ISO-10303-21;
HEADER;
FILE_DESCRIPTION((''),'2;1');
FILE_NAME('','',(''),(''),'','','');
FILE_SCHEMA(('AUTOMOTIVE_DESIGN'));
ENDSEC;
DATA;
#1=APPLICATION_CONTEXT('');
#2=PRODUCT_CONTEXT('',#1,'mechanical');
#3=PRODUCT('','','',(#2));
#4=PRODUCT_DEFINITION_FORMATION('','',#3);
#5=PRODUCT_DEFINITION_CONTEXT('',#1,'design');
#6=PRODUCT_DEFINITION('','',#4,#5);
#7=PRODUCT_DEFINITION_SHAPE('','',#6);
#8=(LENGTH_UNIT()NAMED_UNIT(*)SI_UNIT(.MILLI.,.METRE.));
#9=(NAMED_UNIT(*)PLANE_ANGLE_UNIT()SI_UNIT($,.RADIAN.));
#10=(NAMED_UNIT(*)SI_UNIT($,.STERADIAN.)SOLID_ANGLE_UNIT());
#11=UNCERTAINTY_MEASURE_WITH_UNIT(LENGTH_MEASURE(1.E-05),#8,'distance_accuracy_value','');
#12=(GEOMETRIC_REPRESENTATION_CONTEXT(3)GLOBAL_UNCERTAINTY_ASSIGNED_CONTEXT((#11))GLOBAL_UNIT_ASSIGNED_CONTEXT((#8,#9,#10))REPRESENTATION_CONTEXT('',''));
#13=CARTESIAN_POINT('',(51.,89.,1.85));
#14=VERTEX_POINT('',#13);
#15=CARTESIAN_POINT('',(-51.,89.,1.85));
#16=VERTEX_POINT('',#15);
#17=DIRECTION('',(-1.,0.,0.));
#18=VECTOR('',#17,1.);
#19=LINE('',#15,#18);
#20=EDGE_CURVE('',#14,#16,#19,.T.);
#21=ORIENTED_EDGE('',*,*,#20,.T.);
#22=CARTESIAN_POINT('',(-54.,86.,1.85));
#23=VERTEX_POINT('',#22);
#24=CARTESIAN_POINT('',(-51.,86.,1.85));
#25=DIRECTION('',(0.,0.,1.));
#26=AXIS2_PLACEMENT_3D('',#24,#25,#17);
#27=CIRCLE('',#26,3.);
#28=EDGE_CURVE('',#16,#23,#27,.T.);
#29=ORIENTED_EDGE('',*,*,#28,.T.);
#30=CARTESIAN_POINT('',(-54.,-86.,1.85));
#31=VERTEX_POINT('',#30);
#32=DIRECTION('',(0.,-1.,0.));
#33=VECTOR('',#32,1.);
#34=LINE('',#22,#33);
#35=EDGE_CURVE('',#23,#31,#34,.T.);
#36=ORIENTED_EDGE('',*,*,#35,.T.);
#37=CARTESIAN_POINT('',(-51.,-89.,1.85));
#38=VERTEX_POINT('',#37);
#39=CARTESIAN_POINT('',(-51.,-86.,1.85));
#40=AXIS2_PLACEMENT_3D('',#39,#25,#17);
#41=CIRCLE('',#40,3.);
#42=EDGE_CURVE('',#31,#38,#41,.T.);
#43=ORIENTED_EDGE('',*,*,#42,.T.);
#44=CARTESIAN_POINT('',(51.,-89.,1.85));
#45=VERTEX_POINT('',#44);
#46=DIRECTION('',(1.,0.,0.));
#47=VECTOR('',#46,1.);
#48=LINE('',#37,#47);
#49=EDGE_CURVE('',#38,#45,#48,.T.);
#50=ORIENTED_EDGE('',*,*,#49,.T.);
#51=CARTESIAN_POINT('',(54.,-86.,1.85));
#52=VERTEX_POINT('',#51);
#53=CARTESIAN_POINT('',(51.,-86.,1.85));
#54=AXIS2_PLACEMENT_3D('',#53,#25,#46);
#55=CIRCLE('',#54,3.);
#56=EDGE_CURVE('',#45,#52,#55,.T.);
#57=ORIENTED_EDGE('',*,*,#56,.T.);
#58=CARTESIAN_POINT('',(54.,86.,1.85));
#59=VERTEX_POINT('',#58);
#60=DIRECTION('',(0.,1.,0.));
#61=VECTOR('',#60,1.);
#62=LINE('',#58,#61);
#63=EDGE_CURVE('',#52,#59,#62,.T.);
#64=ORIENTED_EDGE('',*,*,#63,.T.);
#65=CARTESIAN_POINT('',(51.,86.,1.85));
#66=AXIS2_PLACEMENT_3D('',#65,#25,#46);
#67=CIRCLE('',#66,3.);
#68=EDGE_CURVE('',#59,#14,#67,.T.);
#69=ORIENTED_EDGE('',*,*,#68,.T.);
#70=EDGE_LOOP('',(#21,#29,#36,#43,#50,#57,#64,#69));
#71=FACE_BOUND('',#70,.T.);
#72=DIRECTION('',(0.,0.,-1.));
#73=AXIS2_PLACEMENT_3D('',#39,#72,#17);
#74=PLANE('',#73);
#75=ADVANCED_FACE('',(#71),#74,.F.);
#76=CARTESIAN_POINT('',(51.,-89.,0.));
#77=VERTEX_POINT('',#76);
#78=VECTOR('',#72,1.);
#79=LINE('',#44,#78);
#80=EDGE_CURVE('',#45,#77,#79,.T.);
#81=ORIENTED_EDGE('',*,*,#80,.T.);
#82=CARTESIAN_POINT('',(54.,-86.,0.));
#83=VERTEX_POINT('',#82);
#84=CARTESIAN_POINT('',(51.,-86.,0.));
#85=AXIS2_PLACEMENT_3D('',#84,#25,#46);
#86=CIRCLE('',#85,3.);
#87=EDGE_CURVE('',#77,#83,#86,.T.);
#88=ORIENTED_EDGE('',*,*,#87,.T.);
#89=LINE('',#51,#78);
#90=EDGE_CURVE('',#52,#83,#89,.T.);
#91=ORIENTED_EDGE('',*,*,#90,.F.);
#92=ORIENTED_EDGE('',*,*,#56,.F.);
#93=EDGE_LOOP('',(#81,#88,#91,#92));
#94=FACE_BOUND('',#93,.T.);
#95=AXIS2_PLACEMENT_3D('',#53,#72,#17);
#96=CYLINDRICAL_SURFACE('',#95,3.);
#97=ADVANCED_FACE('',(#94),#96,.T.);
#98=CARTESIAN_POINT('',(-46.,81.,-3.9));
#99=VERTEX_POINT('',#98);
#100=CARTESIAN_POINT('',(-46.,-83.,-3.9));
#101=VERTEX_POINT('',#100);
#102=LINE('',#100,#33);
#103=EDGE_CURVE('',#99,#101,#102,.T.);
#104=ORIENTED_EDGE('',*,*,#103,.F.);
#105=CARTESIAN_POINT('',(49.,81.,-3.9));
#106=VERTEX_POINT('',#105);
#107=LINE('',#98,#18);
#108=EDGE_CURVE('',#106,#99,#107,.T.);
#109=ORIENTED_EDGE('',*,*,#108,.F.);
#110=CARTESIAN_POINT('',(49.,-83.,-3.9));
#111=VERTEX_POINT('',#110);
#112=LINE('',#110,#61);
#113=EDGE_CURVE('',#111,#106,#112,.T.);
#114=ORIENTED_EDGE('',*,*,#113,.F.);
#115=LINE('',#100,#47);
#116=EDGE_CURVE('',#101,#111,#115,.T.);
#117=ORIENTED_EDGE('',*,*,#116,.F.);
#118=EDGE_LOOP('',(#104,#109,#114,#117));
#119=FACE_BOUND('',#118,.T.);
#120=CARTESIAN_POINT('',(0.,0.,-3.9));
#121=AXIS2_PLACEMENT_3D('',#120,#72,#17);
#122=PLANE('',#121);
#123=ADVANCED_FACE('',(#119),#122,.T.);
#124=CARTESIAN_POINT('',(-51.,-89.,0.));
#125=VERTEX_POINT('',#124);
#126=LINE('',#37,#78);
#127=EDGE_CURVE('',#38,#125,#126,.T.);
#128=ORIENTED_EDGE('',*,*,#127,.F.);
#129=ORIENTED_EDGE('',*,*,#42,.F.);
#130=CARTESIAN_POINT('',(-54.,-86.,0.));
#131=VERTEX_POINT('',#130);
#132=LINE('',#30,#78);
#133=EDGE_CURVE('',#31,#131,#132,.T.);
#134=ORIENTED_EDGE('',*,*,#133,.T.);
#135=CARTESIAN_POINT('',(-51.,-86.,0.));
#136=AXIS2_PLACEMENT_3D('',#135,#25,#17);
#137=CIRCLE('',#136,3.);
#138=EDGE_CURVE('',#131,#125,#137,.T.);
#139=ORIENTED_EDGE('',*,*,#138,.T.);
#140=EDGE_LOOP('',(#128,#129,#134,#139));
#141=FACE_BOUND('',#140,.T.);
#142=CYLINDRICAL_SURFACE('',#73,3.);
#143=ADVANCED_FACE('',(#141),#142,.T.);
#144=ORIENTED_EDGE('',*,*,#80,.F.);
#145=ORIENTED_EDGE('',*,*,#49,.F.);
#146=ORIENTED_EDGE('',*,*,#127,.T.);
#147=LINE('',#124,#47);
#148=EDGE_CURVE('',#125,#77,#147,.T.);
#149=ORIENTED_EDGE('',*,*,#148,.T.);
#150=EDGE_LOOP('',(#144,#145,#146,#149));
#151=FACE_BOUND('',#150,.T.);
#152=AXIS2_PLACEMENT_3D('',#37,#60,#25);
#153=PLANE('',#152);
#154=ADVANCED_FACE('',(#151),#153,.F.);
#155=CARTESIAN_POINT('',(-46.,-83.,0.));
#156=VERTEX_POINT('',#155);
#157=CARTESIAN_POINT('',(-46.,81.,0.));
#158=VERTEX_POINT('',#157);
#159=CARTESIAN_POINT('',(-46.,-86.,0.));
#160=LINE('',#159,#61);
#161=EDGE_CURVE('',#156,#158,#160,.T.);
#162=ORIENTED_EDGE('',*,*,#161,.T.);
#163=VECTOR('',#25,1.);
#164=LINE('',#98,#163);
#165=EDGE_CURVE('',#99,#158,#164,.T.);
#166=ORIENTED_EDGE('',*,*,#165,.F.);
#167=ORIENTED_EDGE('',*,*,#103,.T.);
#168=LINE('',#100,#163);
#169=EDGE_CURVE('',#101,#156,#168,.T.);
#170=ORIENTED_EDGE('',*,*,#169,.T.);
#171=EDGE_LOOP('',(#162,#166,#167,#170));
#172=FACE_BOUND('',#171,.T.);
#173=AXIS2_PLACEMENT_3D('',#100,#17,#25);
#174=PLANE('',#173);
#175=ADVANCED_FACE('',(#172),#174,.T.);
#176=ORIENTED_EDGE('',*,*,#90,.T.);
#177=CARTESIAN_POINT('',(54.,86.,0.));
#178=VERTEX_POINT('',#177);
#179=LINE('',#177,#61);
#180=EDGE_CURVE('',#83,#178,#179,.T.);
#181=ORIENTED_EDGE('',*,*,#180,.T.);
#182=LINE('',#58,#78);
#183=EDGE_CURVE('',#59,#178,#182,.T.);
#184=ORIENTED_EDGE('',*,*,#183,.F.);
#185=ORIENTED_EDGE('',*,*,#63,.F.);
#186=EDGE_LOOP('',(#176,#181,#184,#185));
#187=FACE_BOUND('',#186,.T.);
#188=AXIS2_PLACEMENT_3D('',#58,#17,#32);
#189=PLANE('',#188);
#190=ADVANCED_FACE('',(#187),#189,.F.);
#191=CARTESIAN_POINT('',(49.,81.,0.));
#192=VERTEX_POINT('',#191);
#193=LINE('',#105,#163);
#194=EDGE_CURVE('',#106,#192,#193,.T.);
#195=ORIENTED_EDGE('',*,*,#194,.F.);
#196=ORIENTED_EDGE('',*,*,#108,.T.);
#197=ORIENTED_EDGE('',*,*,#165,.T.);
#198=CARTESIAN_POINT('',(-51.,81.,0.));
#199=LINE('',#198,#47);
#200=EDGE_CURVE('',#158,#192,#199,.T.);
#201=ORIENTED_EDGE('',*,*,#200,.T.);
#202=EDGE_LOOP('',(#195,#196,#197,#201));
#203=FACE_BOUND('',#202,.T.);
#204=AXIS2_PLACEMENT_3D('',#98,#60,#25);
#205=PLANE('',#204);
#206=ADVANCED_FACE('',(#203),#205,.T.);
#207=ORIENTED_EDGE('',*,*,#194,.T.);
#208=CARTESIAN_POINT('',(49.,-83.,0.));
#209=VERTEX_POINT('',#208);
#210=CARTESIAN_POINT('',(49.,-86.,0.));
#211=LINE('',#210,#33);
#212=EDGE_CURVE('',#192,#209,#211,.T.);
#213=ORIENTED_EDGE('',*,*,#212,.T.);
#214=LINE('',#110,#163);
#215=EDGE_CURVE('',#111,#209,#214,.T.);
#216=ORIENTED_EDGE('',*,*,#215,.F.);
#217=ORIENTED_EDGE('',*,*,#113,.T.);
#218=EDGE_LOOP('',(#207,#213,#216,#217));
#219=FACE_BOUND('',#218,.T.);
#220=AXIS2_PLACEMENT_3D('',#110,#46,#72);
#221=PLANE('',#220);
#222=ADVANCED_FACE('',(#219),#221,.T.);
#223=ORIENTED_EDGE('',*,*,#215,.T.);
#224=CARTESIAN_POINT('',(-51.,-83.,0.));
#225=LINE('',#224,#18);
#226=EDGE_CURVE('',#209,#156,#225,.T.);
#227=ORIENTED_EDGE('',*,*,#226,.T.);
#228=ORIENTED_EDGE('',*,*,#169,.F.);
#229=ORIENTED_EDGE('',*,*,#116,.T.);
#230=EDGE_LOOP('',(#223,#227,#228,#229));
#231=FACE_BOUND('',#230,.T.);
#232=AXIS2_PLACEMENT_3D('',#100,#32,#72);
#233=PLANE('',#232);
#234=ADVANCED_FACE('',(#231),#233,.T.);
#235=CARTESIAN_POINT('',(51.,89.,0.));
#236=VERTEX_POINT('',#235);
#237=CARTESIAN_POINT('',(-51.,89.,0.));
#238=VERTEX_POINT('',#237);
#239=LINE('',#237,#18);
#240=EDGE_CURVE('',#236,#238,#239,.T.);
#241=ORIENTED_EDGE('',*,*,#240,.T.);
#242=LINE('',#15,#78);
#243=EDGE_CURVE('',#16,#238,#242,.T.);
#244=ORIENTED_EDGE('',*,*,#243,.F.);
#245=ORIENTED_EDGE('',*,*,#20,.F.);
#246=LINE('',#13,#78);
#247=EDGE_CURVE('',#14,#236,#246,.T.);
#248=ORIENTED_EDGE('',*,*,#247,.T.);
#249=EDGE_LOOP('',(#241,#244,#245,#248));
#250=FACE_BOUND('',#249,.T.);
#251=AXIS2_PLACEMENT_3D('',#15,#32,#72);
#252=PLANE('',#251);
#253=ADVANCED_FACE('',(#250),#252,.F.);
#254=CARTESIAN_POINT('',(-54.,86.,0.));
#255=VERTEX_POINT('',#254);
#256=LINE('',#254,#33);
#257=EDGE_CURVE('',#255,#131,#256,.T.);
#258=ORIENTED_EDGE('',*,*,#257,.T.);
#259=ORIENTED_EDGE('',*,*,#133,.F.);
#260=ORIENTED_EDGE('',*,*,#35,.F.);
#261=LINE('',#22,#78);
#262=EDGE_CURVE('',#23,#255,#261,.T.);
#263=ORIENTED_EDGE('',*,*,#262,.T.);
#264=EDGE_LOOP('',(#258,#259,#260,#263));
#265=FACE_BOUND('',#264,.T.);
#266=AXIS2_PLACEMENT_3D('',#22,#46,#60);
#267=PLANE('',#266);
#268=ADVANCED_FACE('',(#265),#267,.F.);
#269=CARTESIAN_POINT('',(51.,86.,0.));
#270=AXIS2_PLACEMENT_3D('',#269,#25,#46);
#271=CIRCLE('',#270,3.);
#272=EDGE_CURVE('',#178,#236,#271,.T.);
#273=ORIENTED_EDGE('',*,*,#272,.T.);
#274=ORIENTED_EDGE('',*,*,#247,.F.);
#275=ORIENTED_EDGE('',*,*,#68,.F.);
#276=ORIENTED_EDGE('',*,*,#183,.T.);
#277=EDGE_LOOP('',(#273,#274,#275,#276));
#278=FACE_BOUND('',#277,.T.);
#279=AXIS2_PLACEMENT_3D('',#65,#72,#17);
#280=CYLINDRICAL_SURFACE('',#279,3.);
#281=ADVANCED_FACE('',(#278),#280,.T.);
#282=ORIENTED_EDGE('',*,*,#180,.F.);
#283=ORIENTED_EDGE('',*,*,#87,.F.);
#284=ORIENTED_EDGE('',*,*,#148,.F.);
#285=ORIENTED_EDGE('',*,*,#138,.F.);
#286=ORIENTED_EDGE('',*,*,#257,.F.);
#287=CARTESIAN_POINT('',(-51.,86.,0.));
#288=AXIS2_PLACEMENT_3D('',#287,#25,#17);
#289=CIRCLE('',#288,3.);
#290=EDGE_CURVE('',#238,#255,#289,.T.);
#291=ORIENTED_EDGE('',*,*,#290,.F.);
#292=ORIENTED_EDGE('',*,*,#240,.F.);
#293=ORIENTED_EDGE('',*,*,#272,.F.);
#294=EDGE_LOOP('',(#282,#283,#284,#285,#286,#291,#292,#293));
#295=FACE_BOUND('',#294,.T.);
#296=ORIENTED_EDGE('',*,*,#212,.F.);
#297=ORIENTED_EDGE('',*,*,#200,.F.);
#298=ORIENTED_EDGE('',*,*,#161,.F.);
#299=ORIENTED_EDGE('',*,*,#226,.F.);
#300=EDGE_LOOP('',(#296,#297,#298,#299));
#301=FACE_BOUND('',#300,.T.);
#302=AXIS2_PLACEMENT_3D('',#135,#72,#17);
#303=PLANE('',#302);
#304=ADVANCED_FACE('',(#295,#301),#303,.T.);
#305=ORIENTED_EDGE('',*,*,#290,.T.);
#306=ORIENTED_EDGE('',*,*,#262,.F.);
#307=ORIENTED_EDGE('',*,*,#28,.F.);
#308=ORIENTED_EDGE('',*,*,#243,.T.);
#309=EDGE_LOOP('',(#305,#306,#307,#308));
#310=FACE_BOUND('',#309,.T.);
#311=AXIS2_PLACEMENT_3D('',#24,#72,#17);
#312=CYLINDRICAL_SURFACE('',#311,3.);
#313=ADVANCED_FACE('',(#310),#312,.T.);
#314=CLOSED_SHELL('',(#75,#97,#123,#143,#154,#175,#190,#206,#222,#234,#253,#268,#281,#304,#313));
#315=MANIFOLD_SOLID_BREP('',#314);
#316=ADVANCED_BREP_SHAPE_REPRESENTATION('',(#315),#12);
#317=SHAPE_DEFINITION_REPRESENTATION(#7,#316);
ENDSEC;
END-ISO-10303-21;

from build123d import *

# Parameters (mm, degrees)
BOSS_EXTRUDE1_DEPTH = 1.85
SKETCH2_W           = 95
SKETCH2_H           = 164
BOSS_EXTRUDE2_DEPTH = 5.75


with BuildPart() as part:
    # Sketch1 → Boss-Extrude1 (new body)
    with BuildSketch(Plane.XY):
        with BuildLine():
            Line((-51, 89), (51, 89))
            ThreePointArc((51, 89), (53.121320344, 88.121320344), (54, 86))
            Line((54, 86), (54, -86))
            ThreePointArc((54, -86), (53.121320344, -88.121320344), (51, -89))
            Line((51, -89), (-51, -89))
            ThreePointArc((-51, -89), (-53.121320344, -88.121320344), (-54, -86))
            Line((-54, -86), (-54, 86))
            ThreePointArc((-54, 86), (-53.121320344, 88.121320344), (-51, 89))
        make_face()
    extrude(amount=BOSS_EXTRUDE1_DEPTH)

    # Sketch2 → Boss-Extrude2 (add)
    with BuildSketch(Plane.XY.offset(1.85)):
        with Locations((1.5, -1)):
            Rectangle(SKETCH2_W, SKETCH2_H)
    extrude(amount=-BOSS_EXTRUDE2_DEPTH)


solid = part.part
